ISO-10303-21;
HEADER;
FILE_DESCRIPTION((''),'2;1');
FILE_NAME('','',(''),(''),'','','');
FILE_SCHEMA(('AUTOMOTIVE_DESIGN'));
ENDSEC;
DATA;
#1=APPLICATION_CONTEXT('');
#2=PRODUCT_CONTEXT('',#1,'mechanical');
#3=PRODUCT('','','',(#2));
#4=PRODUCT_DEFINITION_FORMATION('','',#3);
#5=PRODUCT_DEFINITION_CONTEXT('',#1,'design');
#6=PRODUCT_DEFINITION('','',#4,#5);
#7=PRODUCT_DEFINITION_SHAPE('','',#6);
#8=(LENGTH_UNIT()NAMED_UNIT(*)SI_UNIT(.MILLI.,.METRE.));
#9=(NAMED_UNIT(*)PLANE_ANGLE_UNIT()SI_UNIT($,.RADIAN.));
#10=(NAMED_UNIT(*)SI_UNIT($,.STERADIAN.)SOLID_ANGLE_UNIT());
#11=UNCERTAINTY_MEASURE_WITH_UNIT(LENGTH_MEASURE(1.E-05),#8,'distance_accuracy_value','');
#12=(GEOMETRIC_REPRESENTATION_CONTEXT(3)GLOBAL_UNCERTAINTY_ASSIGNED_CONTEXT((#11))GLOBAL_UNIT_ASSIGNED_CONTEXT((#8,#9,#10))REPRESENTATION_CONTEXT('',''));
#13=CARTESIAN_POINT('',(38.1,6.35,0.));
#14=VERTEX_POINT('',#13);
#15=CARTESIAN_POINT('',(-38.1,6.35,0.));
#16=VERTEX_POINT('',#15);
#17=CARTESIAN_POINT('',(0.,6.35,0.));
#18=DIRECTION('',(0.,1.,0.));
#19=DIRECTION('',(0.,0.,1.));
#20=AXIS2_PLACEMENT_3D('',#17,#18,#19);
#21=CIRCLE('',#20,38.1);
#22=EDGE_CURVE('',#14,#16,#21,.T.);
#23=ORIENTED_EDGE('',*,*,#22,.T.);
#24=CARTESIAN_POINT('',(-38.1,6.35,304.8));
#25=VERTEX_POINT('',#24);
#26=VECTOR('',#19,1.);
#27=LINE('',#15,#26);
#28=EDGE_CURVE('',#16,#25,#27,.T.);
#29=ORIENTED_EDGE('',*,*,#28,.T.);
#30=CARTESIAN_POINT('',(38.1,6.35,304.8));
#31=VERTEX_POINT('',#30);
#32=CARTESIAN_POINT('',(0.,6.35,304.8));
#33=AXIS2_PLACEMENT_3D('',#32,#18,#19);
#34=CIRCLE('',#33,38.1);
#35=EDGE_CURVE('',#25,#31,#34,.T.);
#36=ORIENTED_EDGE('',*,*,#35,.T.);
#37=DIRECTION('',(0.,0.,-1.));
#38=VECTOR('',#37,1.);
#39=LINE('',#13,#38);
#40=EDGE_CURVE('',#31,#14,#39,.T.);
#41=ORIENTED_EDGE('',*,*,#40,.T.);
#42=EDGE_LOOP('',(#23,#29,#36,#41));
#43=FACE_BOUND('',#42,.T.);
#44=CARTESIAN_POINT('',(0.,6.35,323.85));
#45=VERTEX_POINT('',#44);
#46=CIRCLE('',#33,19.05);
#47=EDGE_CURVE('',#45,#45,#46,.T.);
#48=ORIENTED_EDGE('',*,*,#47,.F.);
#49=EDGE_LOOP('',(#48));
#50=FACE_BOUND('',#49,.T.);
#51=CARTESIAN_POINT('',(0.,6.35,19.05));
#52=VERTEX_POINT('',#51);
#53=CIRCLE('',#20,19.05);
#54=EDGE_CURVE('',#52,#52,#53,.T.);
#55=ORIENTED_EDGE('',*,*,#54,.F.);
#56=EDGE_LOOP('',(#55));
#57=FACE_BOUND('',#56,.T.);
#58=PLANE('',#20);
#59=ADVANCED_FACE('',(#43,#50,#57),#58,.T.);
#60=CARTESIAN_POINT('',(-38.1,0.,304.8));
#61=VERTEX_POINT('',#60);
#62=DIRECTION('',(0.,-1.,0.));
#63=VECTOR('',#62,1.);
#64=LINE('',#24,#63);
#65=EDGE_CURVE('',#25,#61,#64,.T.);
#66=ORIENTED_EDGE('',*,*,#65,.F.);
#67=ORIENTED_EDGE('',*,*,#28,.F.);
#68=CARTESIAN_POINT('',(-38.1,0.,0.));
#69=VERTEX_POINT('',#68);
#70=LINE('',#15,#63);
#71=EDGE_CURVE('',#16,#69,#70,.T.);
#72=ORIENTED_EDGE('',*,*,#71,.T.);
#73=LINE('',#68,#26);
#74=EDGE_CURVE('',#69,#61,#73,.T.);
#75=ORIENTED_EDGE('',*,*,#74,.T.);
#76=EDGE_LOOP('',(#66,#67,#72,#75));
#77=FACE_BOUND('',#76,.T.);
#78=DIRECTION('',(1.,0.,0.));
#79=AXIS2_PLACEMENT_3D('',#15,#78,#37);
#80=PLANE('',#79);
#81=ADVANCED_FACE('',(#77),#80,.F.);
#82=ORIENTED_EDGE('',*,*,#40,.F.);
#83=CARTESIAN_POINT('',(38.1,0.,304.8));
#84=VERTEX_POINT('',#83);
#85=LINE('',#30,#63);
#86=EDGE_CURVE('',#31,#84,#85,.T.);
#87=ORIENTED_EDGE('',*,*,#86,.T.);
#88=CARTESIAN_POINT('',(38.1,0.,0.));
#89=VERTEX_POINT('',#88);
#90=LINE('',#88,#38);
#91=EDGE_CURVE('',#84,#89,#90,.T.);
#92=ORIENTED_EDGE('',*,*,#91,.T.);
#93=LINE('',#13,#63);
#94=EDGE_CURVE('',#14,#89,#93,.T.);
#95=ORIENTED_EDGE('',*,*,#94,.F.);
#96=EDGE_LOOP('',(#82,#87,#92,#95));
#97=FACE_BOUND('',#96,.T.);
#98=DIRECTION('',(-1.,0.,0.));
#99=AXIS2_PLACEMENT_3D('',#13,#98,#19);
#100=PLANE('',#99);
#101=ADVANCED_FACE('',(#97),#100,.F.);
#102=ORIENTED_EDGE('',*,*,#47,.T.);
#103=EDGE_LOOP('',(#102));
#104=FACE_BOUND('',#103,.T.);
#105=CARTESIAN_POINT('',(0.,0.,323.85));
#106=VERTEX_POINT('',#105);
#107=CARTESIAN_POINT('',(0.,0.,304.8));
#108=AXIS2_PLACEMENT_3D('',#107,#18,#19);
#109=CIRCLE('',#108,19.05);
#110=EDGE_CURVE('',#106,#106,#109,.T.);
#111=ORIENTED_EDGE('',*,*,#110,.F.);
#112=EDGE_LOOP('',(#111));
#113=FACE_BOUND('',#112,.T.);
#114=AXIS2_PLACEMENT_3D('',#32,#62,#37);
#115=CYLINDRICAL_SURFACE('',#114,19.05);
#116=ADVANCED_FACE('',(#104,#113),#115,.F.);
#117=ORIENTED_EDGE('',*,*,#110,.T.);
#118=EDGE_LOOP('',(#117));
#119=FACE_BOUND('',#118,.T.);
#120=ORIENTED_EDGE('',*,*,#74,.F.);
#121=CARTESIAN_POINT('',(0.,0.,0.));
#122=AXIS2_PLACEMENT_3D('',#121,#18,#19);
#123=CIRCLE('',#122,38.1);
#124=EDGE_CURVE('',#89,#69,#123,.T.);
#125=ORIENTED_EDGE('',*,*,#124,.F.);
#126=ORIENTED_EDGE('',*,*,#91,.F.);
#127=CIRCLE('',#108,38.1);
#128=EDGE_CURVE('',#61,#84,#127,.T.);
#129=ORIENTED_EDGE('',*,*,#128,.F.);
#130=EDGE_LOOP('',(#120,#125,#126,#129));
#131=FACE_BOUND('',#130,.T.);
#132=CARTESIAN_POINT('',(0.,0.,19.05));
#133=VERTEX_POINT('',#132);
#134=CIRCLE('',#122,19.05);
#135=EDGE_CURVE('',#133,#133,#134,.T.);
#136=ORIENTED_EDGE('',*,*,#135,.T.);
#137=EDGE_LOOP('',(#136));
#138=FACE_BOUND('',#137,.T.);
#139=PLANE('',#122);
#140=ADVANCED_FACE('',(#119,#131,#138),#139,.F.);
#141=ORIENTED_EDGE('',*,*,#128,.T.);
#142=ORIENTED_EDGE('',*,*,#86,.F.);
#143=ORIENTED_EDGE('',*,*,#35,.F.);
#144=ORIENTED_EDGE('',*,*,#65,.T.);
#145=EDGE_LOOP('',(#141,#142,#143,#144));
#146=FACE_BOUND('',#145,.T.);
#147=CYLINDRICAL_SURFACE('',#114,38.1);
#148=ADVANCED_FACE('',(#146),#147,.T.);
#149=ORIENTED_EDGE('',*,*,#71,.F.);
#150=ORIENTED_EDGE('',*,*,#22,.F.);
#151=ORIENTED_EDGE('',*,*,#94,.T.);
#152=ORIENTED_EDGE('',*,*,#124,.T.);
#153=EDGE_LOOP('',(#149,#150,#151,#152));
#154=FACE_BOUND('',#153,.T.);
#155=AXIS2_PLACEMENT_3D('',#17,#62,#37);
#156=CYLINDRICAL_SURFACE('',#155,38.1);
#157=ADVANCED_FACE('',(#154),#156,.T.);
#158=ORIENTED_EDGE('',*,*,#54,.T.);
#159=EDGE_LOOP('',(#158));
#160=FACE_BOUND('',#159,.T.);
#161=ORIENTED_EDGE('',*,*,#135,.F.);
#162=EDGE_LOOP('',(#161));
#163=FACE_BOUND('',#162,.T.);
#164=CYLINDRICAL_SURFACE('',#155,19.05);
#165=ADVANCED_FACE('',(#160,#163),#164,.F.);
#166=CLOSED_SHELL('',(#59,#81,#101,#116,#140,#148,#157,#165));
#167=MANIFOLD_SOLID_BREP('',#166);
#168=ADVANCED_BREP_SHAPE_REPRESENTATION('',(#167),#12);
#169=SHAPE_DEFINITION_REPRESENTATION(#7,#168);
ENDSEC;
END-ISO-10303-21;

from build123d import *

# Parameters (mm, degrees)
SKETCH1_R           = 19.05
BOSS_EXTRUDE1_DEPTH = 6.35


with BuildPart() as part:
    # Sketch1 → Boss-Extrude1 (new body)
    with BuildSketch(Plane(origin=(0, 0, 0), x_dir=(1, 0, 0), z_dir=(0, 1, 0))):
        with BuildLine():
            Line((-38.1, 0), (-38.1, -304.8))
            ThreePointArc((-38.1, -304.8), (0, -342.9), (38.1, -304.8))
            Line((38.1, -304.8), (38.1, 0))
            ThreePointArc((38.1, 0), (0, 38.1), (-38.1, 0))
        make_face()
        with Locations(Location((0, 0, 0), (0, 0, 270))):
            Circle(SKETCH1_R, mode=Mode.SUBTRACT)
        with Locations(Location((0, -304.8, 0), (0, 0, 270))):
            Circle(SKETCH1_R, mode=Mode.SUBTRACT)
    extrude(amount=BOSS_EXTRUDE1_DEPTH)


solid = part.part
